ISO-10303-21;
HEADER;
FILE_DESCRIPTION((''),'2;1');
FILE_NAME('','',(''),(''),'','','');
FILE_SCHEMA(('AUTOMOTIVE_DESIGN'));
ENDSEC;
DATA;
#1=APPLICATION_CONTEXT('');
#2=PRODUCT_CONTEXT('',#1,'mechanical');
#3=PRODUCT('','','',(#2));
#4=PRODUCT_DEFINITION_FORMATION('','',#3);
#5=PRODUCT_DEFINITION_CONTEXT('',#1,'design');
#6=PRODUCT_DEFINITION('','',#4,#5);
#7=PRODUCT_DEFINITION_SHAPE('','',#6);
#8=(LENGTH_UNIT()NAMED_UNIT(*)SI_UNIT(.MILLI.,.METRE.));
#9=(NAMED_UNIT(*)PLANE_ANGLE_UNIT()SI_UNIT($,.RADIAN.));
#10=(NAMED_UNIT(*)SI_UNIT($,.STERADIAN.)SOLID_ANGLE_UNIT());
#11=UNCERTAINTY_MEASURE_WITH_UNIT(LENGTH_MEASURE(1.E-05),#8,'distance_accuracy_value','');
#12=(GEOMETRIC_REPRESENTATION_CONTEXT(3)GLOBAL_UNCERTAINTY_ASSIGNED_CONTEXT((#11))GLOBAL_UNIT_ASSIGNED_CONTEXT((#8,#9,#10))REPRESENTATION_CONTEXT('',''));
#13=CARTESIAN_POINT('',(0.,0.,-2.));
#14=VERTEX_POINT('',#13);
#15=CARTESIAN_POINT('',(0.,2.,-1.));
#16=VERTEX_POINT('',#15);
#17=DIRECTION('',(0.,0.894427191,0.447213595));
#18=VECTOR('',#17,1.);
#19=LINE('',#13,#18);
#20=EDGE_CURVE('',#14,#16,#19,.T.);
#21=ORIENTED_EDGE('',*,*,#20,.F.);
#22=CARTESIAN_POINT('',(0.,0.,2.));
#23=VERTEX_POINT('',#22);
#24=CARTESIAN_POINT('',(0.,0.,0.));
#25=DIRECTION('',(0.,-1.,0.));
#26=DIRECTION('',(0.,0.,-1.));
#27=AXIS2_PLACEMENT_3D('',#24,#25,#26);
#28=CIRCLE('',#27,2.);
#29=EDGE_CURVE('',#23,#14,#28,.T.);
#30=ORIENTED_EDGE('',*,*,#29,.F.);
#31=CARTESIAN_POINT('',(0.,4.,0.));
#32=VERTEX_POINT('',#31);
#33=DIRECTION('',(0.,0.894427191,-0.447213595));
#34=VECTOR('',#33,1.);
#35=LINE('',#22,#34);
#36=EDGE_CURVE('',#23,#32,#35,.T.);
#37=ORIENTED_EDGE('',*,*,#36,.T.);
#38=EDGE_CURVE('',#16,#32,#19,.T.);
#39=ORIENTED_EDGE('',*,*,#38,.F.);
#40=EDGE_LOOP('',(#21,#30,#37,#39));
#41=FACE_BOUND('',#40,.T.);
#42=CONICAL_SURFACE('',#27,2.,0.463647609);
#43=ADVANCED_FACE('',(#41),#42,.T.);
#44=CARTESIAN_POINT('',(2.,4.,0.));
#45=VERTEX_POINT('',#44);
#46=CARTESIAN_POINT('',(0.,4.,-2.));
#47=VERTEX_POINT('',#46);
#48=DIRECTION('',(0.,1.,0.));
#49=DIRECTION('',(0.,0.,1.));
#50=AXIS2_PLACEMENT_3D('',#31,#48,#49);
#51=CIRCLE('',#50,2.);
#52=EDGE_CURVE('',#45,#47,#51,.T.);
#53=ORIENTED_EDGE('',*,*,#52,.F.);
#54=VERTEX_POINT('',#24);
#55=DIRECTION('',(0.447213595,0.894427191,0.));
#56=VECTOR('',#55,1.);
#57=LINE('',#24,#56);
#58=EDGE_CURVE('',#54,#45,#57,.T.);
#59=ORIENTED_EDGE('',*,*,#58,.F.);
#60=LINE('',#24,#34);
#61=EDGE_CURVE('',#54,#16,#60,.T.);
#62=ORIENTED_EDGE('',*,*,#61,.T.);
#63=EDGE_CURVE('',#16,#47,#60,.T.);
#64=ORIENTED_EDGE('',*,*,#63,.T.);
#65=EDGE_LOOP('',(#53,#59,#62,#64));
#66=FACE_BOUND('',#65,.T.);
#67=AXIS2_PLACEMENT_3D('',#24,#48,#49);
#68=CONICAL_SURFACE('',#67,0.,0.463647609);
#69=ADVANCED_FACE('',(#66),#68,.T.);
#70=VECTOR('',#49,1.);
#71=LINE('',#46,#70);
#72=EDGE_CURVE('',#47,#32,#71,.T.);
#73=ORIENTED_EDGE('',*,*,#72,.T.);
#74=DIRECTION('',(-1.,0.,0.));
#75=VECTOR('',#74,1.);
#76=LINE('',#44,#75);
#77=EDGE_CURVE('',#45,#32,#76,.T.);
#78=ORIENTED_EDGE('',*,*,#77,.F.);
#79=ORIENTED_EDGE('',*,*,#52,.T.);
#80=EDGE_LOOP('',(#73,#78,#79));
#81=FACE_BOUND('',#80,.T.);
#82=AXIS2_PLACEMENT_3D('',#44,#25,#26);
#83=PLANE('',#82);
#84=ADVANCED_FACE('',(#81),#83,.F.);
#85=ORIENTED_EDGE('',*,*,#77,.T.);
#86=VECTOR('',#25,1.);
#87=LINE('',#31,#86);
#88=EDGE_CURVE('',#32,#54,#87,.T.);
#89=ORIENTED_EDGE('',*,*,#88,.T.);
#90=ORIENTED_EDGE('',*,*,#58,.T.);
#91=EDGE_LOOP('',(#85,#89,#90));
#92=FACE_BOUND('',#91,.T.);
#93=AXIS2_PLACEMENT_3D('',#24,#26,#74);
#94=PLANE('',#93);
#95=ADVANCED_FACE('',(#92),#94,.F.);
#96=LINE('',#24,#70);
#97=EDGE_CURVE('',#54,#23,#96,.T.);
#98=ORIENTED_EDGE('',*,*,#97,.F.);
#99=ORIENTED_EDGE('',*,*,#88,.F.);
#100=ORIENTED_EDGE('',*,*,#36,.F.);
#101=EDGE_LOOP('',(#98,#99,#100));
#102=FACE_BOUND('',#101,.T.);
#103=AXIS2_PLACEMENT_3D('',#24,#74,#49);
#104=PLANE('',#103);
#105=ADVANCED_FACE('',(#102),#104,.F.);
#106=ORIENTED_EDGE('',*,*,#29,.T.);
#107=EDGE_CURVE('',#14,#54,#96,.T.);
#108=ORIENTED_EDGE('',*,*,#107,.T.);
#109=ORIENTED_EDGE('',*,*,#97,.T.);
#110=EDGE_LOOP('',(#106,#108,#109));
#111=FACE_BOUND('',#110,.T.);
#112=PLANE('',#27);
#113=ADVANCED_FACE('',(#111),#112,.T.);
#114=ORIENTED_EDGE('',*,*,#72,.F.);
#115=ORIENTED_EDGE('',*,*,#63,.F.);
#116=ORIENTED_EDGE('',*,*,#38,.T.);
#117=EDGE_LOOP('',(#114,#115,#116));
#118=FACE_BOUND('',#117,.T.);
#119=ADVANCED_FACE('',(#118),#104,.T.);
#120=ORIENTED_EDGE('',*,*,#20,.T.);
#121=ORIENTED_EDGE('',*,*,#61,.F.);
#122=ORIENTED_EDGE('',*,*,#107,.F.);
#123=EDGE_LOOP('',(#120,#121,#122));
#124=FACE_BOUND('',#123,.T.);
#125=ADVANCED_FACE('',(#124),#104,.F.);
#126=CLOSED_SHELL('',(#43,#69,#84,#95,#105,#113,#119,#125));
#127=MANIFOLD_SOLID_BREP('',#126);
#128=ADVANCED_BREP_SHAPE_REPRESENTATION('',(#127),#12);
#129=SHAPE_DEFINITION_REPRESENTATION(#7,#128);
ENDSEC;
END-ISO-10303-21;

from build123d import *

# Parameters (mm, degrees)
REVOLVE1_ANGLE = 180
REVOLVE2_ANGLE = 90


with BuildPart() as part:
    # Sketch1 → Revolve1 (revolve)
    with BuildSketch(Plane(origin=(0, 0, 0), x_dir=(0, 0, -1), z_dir=(1, 0, 0))):
        Polygon((0, 0), (2, 0), (0, 4), align=None)
    revolve(axis=Axis((0, 4, 0), (0, 1, 0)), revolution_arc=REVOLVE1_ANGLE)

    # Sketch2 → Revolve2 (revolve)
    with BuildSketch(Plane(origin=(0, 0, 0), x_dir=(0, 0, -1), z_dir=(1, 0, 0))):
        Polygon((0, 0), (2, 4), (0, 4), align=None)
    revolve(axis=Axis((0, 4, 0), (0, -1, 0)), revolution_arc=REVOLVE2_ANGLE)


solid = part.part
